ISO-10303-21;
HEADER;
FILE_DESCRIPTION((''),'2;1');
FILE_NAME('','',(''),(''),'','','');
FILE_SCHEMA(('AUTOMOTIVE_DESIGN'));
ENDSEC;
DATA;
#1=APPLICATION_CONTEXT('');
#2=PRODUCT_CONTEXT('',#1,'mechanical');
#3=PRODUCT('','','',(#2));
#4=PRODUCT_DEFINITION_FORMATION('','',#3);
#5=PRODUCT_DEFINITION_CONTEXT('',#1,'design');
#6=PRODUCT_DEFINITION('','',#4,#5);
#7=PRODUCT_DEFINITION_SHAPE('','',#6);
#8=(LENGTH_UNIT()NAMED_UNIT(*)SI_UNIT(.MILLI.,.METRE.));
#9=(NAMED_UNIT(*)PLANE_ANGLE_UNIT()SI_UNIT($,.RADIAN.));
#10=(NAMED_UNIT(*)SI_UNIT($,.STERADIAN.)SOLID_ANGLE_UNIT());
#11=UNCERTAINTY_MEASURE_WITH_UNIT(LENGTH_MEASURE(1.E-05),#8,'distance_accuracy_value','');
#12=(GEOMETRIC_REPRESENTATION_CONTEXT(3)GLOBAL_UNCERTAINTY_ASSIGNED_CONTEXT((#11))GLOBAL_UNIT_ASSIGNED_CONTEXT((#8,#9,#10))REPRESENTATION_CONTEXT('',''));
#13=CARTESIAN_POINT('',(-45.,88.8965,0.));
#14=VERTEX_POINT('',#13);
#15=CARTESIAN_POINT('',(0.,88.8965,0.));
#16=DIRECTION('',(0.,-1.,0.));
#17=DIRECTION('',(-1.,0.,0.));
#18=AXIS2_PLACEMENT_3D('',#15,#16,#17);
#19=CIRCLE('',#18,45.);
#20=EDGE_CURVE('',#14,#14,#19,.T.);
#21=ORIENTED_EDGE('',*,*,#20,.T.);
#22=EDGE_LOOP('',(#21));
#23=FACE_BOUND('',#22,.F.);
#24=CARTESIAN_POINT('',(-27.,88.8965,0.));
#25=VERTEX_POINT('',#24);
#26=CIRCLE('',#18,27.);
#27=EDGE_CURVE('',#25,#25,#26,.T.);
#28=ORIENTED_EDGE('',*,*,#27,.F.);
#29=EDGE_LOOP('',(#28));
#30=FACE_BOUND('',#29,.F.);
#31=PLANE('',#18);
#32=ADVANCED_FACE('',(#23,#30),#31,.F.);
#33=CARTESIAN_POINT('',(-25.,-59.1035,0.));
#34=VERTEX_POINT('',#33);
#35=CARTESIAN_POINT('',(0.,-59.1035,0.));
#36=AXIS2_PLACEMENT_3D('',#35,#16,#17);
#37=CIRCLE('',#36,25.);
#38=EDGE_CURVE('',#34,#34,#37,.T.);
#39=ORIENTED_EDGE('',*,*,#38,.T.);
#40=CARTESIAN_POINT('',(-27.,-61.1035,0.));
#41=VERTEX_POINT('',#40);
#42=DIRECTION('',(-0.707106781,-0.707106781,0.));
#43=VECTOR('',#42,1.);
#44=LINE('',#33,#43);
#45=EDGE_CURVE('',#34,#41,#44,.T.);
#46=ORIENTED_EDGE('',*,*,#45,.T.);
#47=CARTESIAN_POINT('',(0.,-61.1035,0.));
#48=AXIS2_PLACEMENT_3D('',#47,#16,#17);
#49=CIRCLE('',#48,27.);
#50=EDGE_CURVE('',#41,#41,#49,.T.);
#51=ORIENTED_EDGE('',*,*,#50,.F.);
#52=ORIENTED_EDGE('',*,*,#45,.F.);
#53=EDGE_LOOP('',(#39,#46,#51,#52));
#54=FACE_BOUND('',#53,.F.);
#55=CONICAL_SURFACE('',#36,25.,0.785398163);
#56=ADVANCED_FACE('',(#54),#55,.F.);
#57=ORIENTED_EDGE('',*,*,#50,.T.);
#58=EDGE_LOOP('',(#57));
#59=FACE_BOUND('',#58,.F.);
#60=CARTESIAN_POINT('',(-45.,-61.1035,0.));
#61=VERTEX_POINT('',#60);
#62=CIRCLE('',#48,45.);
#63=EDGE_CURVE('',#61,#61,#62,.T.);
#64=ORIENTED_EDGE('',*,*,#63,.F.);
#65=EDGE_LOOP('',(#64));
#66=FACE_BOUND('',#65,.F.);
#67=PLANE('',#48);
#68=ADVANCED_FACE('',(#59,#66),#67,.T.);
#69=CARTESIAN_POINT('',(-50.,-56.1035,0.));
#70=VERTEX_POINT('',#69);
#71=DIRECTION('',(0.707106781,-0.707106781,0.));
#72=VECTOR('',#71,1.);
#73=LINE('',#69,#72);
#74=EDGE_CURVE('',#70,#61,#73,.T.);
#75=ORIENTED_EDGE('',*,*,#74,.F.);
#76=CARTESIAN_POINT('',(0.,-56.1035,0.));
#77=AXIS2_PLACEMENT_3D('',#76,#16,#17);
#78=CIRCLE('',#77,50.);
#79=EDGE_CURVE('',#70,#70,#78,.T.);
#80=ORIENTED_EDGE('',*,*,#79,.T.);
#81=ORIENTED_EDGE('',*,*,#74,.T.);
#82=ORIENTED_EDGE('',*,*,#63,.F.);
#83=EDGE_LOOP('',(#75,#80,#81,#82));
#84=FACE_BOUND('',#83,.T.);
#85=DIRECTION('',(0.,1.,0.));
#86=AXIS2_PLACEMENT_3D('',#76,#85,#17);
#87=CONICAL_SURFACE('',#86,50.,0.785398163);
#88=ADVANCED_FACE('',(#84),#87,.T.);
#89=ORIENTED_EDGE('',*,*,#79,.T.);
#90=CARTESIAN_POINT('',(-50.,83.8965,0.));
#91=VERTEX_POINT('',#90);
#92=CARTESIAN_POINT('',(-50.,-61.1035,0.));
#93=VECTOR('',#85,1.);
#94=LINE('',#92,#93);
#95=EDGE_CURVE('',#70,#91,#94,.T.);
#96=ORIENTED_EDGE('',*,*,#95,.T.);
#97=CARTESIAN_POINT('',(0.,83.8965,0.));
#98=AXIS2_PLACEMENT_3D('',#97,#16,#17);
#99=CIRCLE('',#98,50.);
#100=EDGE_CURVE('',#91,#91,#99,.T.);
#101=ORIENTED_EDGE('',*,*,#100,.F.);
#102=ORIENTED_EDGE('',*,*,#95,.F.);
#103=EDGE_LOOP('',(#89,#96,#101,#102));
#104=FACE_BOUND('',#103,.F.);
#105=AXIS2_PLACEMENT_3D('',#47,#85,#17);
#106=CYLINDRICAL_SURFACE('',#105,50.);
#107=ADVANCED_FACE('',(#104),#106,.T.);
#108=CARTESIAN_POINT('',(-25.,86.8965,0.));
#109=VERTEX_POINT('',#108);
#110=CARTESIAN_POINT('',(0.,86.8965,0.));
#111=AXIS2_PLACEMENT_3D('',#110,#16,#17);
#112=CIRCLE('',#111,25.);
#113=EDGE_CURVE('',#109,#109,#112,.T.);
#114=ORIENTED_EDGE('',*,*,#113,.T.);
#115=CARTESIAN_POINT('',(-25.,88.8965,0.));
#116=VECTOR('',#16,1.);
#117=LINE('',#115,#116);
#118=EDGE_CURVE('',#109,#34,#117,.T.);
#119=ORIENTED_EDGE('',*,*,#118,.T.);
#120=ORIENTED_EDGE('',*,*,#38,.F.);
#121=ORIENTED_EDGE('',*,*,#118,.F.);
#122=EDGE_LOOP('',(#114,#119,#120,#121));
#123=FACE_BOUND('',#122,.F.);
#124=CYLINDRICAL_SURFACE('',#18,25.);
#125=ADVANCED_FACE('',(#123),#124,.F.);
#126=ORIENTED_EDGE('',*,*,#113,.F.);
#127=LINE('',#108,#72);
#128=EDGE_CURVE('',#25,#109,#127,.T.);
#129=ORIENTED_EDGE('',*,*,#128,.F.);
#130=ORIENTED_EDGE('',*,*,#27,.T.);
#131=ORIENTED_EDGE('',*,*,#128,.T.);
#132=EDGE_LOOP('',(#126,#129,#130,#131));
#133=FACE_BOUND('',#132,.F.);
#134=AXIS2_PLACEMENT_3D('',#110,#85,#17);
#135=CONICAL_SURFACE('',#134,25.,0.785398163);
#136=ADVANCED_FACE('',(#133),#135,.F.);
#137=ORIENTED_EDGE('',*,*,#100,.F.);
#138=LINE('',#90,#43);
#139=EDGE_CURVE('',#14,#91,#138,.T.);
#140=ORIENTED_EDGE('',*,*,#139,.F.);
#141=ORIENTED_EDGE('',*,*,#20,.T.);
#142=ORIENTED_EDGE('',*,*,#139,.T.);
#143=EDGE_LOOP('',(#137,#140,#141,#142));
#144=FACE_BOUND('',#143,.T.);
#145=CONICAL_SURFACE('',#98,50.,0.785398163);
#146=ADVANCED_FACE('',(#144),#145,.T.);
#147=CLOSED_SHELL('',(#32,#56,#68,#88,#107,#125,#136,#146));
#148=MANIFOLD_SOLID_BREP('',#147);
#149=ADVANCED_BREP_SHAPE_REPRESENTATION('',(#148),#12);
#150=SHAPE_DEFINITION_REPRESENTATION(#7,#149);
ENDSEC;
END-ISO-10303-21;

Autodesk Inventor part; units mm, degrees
ref_plane "YZ Plane" through (0, 0, 0) normal (1, 0, 0) x (0, 1, 0)
ref_plane "XZ Plane" through (0, 0, 0) normal (0, 1, 0) x (-1, 0, 0)
ref_plane "XY Plane" through (0, 0, 0) normal (0, 0, 1) x (1, 0, 0)
sketch "Sketch1" plane through (0, 0, 0) normal (0, 0, 1) x (1, 0, 0)
  line L0 (-50, 88.8965) -> (-25, 88.8965)
  line L1 (-25, 88.8965) -> (-25, -61.1035)
  line L2 (-25, -61.1035) -> (-50, -61.1035)
  line L3 (-50, -61.1035) -> (-50, 88.8965)
  line L4 (0, 88.8965) -> (0, -88.8965)
  point P0 (0, 0)
  point P1 (0, 0)
  dimension "d10" = 150
  dimension "d12" = 25
  dimension "d13" = 50
revolve "Revolution1" add sketch "Sketch1" angle 360 about axis through (0, 88.8965, 0) along (0, -1, 0)
chamfer "Chamfer1" distance 2 angle 45 2 edges at (25, 88.8965, 0) (25, -61.1035, 0)
chamfer "Chamfer3" distance 5 angle 45 2 edges at (50, 88.8965, 0) (50, -61.1035, 0)
properties part number "TestPart"
